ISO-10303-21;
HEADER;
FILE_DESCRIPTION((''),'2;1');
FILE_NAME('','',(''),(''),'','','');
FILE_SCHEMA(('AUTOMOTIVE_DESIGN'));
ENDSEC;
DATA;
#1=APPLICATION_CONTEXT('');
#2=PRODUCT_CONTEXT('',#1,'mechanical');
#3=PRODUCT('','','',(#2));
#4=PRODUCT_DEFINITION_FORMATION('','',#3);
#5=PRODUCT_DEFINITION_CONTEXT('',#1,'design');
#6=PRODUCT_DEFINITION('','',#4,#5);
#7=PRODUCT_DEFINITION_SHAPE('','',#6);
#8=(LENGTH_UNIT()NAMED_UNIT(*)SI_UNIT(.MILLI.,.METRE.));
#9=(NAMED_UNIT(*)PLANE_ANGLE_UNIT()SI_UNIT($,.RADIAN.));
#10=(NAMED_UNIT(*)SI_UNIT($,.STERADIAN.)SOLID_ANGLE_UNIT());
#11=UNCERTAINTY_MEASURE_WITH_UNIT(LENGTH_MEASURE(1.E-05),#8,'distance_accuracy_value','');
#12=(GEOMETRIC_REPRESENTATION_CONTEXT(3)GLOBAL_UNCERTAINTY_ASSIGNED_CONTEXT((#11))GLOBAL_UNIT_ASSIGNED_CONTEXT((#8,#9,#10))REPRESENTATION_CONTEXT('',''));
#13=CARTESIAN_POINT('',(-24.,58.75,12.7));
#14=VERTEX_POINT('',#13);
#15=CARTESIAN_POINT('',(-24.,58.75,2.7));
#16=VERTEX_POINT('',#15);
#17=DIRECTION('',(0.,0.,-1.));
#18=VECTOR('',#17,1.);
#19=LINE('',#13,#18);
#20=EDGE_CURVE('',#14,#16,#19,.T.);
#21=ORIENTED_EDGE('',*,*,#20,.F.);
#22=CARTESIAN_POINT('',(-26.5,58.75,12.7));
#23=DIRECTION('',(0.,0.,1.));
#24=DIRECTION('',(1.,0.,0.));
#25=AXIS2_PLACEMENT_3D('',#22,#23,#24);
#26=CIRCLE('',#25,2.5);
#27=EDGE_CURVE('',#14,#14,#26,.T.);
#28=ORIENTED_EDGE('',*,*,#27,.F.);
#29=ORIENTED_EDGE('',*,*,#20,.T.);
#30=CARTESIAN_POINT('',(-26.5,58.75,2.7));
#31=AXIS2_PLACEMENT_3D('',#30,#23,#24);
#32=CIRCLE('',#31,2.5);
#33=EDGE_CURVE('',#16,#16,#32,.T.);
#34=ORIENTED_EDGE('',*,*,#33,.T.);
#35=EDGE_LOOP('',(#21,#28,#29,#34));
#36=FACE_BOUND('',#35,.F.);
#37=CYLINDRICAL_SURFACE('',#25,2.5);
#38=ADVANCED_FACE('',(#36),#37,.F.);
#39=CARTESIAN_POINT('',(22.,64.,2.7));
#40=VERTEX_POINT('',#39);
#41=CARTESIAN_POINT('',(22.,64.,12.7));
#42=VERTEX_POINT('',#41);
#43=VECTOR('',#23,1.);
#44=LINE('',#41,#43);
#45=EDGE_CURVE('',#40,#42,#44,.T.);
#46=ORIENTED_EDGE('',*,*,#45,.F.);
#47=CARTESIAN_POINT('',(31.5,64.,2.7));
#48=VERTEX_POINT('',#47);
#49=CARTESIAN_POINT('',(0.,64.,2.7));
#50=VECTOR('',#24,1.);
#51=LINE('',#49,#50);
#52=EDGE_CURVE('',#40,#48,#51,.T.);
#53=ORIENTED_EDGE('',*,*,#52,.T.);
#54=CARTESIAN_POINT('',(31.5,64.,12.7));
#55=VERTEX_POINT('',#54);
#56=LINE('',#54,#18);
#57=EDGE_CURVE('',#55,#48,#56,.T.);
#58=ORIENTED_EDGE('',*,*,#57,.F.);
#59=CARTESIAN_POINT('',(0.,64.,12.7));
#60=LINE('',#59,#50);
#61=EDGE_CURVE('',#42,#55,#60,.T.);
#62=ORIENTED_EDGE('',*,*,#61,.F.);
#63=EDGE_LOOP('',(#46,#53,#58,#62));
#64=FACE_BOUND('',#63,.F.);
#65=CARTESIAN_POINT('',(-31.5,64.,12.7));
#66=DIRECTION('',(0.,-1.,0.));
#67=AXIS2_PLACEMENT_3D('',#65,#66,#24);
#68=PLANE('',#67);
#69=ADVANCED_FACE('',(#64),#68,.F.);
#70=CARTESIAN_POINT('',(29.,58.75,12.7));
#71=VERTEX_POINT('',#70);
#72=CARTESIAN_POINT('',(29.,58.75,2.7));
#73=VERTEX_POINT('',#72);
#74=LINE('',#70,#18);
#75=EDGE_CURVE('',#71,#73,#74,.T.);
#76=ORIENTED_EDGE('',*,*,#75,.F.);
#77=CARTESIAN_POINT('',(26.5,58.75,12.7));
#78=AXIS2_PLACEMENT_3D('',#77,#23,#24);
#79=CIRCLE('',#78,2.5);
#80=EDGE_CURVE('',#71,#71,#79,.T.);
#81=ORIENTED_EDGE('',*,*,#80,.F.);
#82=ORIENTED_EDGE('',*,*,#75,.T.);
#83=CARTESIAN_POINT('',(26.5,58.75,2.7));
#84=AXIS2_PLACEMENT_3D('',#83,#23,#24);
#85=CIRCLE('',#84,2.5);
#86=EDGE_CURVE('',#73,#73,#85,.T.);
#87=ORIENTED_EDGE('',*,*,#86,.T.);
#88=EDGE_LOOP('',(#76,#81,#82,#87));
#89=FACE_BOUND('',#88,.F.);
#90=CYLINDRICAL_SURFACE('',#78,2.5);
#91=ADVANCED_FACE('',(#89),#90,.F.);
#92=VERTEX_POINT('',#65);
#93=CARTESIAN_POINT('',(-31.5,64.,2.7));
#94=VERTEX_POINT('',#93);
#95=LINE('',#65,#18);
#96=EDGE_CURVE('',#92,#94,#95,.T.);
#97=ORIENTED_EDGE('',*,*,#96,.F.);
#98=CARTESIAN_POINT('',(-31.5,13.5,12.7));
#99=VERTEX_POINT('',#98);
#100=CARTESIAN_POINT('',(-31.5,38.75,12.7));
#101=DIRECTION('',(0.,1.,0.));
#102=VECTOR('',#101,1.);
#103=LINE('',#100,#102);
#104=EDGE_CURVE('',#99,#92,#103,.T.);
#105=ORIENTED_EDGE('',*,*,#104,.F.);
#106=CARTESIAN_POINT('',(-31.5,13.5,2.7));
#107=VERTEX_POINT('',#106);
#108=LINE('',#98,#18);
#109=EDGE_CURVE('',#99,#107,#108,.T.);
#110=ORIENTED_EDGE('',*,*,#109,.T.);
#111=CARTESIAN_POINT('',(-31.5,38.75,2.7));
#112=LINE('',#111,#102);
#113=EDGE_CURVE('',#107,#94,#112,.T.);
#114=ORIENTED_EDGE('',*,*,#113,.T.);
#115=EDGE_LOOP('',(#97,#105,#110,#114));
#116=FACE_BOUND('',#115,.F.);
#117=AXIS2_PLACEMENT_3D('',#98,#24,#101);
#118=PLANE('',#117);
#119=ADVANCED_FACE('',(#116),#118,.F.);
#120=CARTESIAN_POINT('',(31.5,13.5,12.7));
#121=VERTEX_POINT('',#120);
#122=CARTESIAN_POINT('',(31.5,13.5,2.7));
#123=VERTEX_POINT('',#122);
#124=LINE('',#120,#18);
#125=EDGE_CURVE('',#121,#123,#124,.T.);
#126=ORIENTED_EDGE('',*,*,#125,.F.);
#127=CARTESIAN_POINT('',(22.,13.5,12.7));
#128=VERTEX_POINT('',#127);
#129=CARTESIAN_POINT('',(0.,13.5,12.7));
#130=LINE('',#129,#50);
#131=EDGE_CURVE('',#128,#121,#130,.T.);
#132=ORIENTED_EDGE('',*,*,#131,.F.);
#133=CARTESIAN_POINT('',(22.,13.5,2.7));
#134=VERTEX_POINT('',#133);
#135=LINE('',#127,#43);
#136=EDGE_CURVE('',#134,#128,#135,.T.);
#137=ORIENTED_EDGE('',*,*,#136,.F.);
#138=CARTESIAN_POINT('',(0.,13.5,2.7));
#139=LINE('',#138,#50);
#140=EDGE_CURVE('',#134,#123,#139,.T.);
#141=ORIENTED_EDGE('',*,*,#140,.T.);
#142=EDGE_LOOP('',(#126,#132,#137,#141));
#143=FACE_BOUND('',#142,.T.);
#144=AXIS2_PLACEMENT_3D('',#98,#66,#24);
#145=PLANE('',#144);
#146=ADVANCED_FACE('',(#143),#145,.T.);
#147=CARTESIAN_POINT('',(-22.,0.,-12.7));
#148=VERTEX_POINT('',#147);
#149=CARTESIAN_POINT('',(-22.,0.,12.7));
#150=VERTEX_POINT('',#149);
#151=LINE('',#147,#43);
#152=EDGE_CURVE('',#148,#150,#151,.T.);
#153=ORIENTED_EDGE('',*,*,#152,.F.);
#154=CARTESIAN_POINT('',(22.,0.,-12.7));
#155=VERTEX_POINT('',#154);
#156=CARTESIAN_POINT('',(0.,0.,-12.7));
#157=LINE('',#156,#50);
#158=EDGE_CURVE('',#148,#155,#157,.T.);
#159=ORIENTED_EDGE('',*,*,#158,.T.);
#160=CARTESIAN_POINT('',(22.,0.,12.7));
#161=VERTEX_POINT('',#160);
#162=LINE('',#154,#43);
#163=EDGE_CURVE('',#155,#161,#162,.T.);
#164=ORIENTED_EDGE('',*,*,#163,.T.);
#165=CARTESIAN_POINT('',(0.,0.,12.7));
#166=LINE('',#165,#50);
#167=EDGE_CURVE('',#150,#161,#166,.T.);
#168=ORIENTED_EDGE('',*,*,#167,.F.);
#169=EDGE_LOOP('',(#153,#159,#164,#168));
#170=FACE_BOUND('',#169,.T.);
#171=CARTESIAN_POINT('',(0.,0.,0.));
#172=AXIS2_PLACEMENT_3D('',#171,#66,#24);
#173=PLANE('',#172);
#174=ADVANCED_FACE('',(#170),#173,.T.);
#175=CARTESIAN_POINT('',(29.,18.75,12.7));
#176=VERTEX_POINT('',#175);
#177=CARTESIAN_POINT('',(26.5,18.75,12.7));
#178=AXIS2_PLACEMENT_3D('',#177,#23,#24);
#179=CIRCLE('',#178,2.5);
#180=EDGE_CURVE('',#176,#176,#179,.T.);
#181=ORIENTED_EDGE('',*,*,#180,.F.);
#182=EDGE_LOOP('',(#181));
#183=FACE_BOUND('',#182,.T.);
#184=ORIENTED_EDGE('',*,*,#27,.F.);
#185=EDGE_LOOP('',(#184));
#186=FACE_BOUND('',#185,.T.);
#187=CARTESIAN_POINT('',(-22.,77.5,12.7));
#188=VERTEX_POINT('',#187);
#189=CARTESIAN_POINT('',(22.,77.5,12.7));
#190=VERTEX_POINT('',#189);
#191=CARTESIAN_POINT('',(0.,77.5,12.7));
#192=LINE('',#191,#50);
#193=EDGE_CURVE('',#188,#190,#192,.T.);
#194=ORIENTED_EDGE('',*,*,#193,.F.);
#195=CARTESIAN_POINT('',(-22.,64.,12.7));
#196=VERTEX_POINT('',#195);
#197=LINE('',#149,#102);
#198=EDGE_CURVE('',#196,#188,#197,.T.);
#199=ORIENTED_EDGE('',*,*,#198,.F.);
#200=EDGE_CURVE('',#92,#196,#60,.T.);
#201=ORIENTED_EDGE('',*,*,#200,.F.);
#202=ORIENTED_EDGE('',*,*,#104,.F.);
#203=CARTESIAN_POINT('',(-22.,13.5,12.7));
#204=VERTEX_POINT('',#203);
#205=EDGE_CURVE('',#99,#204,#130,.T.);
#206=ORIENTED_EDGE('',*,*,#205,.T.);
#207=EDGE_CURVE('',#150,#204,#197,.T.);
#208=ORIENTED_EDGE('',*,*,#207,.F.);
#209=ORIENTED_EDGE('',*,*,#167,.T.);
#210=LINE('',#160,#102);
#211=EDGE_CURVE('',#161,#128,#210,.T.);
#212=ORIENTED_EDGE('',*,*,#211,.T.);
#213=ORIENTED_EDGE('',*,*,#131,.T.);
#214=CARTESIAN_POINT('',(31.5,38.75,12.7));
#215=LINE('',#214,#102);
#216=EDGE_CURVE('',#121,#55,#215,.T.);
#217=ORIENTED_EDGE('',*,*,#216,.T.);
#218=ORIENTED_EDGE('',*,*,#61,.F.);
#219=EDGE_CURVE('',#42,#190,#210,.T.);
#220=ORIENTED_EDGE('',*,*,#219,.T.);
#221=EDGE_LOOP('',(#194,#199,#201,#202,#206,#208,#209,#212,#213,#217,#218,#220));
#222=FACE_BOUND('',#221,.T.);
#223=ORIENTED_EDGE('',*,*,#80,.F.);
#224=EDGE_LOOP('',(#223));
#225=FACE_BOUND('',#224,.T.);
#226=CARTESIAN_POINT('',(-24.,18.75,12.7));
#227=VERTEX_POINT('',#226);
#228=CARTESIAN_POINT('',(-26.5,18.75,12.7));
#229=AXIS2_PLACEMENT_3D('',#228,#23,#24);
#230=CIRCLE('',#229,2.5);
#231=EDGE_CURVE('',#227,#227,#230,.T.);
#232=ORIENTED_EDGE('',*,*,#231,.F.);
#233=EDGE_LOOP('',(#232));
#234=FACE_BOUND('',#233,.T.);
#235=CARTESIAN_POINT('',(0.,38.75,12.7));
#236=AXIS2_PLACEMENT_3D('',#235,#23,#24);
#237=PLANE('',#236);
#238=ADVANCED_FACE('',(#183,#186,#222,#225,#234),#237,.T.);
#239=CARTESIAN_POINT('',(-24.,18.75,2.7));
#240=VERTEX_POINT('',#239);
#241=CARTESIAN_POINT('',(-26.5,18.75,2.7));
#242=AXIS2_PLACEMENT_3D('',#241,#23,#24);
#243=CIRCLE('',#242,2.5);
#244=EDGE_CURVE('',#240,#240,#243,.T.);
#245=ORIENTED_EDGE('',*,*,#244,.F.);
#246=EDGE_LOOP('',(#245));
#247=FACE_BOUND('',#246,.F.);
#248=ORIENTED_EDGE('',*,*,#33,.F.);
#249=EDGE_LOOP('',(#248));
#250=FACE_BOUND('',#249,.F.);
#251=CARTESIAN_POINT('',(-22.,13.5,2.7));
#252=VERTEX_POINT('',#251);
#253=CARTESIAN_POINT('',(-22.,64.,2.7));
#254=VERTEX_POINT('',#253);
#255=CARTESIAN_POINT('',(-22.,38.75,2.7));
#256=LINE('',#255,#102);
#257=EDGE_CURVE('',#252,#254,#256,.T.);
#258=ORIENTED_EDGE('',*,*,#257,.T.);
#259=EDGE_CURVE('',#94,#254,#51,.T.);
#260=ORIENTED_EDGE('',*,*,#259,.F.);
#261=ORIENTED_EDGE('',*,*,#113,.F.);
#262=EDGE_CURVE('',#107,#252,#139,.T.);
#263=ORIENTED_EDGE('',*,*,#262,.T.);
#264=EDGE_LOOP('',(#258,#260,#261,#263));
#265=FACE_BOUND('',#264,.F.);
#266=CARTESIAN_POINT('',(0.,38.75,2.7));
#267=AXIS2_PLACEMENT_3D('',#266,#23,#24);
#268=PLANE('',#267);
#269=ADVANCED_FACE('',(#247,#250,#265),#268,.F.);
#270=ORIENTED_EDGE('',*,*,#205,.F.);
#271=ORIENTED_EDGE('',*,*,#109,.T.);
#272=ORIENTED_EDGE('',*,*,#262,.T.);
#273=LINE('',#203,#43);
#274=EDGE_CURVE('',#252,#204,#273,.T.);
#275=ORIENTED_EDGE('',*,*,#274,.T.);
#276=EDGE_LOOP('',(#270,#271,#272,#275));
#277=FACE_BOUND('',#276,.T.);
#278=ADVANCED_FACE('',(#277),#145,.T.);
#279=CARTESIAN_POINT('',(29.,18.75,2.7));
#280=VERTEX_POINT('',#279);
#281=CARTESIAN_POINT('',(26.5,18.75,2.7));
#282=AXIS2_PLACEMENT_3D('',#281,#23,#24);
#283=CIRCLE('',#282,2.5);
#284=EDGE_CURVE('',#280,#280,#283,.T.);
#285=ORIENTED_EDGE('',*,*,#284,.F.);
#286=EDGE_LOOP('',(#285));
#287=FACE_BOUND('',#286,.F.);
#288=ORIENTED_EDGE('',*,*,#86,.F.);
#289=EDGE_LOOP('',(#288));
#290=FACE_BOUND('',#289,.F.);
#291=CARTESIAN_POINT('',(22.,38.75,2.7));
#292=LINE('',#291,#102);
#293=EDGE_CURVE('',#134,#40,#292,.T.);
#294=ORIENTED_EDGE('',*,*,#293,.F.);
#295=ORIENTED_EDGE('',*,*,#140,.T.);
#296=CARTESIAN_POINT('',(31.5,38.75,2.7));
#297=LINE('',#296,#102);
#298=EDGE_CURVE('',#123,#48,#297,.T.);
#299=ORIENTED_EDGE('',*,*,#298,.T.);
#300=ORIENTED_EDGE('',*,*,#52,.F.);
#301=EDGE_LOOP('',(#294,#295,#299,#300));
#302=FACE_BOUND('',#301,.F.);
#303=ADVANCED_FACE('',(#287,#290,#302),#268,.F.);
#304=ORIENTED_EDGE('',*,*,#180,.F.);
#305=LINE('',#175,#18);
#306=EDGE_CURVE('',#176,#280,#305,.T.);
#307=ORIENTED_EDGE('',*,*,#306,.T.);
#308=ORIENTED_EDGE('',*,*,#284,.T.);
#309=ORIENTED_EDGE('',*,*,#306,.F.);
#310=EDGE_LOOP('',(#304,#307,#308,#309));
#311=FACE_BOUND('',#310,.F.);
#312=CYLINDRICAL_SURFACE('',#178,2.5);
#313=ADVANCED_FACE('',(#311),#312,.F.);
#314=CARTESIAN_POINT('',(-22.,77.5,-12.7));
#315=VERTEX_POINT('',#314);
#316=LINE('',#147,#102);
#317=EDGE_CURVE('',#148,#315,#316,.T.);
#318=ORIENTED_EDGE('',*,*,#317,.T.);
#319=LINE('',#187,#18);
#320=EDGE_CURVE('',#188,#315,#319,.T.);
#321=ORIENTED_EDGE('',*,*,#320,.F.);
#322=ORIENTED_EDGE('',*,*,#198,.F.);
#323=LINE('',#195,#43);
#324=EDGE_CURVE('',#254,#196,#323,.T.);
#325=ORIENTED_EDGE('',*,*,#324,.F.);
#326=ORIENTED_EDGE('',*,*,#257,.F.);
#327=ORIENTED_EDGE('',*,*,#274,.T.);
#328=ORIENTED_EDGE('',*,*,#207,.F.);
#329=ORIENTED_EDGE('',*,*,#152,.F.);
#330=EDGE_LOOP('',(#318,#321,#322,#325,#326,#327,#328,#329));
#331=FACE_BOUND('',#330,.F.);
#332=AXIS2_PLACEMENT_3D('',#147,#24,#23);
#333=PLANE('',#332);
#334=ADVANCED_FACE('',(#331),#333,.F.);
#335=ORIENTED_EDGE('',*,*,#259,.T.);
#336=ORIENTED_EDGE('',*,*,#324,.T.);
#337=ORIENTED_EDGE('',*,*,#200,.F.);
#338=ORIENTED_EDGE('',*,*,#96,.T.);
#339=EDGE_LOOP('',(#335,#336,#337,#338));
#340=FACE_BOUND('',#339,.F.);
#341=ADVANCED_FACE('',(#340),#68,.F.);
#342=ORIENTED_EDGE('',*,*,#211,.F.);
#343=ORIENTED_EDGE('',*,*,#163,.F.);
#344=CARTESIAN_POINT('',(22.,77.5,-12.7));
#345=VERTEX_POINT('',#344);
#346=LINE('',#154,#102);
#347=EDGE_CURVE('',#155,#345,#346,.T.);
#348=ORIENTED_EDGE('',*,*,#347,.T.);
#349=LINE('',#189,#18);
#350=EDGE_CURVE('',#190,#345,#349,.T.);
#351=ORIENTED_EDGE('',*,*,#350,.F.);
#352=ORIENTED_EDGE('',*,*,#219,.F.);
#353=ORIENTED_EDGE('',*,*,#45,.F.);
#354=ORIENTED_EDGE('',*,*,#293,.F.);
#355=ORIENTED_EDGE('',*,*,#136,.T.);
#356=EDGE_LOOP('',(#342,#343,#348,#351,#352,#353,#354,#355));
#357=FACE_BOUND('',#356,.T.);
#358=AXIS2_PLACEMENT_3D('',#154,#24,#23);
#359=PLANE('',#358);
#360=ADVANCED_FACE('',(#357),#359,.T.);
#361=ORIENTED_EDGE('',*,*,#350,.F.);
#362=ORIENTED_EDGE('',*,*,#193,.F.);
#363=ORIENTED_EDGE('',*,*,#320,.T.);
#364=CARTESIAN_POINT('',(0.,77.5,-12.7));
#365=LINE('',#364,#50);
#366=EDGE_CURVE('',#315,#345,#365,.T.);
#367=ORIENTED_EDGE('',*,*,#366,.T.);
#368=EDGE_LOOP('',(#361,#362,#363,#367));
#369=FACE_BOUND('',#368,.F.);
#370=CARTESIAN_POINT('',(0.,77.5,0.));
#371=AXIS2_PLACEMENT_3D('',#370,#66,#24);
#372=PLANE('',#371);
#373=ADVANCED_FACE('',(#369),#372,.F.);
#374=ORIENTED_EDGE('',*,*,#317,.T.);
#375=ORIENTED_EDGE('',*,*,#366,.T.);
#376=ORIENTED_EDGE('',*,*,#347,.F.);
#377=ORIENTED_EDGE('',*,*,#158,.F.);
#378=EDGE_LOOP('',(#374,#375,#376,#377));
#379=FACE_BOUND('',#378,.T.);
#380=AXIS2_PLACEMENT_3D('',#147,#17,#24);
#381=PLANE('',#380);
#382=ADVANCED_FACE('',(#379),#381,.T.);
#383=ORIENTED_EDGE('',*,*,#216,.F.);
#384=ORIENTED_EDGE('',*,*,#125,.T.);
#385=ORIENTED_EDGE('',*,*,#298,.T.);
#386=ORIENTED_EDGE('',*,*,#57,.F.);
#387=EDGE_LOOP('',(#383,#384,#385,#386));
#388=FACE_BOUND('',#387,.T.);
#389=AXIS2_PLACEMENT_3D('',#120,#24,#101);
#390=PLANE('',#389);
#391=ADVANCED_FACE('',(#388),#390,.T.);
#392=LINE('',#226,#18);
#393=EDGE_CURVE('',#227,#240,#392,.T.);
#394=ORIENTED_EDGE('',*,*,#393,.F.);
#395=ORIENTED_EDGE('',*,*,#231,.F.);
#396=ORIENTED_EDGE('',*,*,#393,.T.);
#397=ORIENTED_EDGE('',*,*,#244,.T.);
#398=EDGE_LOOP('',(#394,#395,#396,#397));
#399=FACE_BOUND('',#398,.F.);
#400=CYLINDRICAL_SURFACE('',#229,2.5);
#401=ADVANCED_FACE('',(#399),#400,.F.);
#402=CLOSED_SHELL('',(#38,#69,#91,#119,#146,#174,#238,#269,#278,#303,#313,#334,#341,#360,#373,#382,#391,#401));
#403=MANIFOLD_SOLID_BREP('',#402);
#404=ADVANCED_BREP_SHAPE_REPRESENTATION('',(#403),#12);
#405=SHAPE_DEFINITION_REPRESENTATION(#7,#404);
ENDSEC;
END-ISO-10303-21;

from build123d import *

# Parameters (mm, degrees)
F0_W     = 44
F0_H     = 25.4
F1_DEPTH = 77.5
F3_W     = 63
F3_H     = 50.5
F3_R     = 2.5
F2_W     = 44
F2_H     = 77.5
F4_DEPTH = 10


with BuildPart() as f1:
    # F0 (on Front) → F1 (new body)
    with BuildSketch(Plane.XZ):
        Rectangle(F0_W, F0_H)
    extrude(amount=-F1_DEPTH)

    # F3 (on face) + F2 (on face) → F4 (join)
    with BuildSketch(Plane.XY.offset(12.7)):
        with Locations((0, 38.75)):
            Rectangle(F3_W, F3_H)
        with Locations((-26.5, 18.75)):
            Circle(F3_R, mode=Mode.SUBTRACT)
        with Locations((26.5, 18.75)):
            Circle(F3_R, mode=Mode.SUBTRACT)
        with Locations((-26.5, 58.75)):
            Circle(F3_R, mode=Mode.SUBTRACT)
        with Locations((26.5, 58.75)):
            Circle(F3_R, mode=Mode.SUBTRACT)
    with BuildSketch(Plane.XY.offset(12.7)):
        with Locations((0, 38.75)):
            Rectangle(F2_W, F2_H)
    extrude(amount=-F4_DEPTH)


solid = f1.part
